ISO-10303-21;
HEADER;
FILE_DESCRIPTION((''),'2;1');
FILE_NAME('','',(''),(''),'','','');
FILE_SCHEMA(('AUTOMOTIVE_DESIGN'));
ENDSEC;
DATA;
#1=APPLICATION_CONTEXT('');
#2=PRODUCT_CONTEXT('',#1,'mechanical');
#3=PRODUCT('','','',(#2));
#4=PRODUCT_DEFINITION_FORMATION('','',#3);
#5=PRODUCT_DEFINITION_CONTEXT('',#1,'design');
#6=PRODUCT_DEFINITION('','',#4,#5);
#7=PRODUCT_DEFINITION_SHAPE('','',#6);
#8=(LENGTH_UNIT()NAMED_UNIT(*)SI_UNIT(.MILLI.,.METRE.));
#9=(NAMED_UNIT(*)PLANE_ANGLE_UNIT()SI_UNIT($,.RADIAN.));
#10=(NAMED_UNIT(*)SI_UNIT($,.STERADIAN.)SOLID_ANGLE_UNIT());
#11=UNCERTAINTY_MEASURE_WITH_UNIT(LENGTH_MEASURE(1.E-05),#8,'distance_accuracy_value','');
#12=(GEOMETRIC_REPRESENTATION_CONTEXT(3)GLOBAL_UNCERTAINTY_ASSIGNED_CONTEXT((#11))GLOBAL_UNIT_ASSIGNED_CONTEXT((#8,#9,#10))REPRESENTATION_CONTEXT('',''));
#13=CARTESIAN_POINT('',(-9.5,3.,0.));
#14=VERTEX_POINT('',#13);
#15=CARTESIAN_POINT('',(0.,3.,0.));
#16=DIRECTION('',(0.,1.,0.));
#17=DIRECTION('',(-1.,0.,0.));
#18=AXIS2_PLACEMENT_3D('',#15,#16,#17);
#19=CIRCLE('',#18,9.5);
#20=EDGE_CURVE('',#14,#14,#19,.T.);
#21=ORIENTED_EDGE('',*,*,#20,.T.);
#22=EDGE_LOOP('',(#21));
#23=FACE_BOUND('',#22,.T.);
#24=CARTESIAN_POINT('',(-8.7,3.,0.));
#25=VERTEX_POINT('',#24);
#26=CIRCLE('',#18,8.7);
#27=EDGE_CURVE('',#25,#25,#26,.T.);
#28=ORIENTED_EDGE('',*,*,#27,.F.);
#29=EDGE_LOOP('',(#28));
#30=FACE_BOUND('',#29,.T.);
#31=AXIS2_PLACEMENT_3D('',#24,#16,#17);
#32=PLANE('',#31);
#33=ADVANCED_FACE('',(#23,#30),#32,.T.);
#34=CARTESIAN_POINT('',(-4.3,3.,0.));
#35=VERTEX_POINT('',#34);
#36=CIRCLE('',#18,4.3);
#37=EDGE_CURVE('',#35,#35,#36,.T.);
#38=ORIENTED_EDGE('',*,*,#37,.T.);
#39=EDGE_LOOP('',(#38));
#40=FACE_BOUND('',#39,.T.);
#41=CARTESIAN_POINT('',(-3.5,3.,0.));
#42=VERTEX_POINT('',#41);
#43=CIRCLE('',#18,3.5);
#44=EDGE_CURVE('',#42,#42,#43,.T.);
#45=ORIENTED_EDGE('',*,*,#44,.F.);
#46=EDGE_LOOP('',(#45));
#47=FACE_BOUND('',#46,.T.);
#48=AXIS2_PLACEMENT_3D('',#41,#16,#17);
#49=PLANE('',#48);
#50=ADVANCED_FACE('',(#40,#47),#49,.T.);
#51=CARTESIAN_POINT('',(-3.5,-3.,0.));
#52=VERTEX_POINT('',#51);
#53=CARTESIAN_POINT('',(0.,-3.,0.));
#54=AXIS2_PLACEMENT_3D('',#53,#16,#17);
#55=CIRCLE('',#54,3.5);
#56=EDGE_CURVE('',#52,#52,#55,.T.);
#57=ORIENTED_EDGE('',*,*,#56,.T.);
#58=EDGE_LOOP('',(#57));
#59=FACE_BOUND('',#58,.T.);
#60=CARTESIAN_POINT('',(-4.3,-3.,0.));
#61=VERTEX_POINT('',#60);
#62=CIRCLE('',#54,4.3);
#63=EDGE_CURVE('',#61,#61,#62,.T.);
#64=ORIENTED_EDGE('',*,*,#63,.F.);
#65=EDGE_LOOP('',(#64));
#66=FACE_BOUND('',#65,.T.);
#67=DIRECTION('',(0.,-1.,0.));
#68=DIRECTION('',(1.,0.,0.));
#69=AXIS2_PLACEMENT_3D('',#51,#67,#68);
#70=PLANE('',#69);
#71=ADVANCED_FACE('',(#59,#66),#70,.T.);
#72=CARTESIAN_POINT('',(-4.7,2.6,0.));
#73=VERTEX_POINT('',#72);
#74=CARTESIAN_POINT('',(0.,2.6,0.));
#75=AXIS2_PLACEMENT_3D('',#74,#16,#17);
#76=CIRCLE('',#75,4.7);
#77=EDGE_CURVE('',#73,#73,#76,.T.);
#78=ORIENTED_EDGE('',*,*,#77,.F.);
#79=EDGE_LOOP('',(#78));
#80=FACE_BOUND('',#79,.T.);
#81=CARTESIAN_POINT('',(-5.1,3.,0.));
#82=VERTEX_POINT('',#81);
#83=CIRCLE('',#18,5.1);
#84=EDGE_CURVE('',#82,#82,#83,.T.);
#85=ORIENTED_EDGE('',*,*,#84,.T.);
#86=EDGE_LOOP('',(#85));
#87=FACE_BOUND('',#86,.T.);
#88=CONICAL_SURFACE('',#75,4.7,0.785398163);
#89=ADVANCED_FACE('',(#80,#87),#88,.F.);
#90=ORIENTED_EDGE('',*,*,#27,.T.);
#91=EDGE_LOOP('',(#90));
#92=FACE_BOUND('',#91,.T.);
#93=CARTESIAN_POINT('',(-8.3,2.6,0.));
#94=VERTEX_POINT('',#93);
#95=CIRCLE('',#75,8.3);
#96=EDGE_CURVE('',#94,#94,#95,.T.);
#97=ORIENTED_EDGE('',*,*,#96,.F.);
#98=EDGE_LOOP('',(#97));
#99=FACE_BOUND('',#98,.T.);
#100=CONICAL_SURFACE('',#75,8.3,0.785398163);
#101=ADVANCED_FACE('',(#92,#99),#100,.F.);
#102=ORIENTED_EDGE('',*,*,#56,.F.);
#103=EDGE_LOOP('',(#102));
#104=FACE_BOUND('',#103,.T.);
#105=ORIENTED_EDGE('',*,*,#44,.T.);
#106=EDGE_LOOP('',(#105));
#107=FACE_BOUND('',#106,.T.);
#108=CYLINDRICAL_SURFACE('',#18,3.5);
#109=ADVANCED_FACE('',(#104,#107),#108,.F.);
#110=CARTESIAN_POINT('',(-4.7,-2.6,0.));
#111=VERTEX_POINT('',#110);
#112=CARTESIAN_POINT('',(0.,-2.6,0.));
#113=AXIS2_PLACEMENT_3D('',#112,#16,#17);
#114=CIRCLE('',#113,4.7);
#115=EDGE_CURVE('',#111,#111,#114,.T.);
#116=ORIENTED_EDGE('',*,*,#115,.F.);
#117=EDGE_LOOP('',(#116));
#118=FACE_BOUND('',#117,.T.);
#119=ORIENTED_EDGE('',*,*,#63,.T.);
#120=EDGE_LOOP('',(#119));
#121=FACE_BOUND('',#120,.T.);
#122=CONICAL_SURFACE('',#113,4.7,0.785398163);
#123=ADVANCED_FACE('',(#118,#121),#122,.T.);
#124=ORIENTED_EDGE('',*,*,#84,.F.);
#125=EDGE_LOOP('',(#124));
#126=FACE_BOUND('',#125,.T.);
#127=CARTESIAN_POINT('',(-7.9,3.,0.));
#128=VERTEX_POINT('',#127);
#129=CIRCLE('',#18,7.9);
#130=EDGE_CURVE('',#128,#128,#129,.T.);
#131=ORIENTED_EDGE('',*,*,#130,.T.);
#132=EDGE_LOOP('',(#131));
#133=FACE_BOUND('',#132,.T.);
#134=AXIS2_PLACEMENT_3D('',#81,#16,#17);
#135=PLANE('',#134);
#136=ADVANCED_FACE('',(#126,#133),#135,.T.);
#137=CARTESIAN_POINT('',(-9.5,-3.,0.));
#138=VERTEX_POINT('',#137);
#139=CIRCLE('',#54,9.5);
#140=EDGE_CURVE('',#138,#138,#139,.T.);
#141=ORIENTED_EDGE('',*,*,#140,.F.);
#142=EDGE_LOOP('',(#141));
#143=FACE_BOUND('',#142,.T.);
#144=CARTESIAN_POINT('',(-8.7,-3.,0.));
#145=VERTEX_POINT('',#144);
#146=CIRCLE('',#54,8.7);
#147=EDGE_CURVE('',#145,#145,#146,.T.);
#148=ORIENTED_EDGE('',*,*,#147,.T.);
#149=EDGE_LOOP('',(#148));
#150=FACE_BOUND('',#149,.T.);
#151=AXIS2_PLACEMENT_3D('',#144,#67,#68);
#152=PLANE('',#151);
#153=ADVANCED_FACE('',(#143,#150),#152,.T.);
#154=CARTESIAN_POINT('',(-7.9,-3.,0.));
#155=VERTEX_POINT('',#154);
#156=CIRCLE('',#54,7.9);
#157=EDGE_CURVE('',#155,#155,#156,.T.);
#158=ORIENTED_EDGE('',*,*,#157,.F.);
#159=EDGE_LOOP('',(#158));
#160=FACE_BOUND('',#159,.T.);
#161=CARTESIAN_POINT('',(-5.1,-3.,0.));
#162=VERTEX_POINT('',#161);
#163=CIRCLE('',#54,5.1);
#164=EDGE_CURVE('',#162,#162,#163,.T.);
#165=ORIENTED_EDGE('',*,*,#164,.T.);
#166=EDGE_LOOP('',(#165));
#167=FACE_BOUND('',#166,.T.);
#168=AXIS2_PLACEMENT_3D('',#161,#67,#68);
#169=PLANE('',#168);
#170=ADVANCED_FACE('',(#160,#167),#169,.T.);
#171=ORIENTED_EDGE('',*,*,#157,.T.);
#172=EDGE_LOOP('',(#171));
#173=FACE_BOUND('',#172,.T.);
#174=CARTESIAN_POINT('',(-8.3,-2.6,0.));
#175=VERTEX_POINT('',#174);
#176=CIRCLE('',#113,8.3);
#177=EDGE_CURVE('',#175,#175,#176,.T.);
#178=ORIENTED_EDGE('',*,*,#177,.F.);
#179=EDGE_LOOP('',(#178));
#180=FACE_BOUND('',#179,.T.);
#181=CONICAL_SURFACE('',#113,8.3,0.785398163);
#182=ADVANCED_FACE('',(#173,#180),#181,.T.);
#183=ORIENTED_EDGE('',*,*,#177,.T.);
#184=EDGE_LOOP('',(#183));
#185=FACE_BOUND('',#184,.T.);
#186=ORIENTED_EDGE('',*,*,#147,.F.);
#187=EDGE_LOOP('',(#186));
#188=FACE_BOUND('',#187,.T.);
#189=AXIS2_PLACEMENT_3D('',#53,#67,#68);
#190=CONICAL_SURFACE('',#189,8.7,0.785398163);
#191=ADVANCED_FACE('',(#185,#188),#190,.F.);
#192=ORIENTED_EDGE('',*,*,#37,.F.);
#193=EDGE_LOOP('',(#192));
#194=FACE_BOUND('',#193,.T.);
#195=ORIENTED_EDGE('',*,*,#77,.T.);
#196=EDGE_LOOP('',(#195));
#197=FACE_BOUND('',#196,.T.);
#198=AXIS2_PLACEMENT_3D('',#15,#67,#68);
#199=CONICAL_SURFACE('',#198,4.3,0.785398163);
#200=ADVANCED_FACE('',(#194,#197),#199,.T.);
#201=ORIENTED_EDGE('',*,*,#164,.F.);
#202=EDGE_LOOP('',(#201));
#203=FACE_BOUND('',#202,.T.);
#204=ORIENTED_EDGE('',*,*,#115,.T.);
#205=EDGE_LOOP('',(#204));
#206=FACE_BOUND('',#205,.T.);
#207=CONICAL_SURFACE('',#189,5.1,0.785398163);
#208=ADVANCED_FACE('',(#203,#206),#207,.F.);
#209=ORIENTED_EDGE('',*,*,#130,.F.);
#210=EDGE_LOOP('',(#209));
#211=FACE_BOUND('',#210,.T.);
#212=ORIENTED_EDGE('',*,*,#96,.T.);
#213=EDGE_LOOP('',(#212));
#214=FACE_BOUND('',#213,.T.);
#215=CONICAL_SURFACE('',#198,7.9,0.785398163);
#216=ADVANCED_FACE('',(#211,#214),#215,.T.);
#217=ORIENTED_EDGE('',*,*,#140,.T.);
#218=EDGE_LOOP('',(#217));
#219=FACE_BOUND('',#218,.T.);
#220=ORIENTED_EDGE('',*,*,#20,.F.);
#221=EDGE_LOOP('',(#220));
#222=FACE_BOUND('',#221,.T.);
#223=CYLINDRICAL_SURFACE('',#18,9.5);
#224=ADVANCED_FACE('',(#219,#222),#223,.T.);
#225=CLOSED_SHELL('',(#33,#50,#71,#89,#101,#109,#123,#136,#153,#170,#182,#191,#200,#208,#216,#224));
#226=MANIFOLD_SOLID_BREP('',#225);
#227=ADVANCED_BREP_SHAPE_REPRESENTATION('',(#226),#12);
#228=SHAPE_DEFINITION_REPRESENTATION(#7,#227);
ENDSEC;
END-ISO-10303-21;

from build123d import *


with BuildPart() as part:
    # Sketch1 → Revolve1 (revolve)
    with BuildSketch(Plane.XY):
        Polygon((-3.5, 3), (-4.3, 3), (-4.7, 2.6), (-5.1, 3), (-7.9, 3), (-8.3, 2.6), (-8.7, 3), (-9.5, 3), (-9.5, -3), (-8.7, -3), (-8.3, -2.6), (-7.9, -3), (-5.1, -3), (-4.7, -2.6), (-4.3, -3), (-3.5, -3), align=None)
    revolve(axis=Axis((0, 3, 0), (0, -1, 0)))


solid = part.part
